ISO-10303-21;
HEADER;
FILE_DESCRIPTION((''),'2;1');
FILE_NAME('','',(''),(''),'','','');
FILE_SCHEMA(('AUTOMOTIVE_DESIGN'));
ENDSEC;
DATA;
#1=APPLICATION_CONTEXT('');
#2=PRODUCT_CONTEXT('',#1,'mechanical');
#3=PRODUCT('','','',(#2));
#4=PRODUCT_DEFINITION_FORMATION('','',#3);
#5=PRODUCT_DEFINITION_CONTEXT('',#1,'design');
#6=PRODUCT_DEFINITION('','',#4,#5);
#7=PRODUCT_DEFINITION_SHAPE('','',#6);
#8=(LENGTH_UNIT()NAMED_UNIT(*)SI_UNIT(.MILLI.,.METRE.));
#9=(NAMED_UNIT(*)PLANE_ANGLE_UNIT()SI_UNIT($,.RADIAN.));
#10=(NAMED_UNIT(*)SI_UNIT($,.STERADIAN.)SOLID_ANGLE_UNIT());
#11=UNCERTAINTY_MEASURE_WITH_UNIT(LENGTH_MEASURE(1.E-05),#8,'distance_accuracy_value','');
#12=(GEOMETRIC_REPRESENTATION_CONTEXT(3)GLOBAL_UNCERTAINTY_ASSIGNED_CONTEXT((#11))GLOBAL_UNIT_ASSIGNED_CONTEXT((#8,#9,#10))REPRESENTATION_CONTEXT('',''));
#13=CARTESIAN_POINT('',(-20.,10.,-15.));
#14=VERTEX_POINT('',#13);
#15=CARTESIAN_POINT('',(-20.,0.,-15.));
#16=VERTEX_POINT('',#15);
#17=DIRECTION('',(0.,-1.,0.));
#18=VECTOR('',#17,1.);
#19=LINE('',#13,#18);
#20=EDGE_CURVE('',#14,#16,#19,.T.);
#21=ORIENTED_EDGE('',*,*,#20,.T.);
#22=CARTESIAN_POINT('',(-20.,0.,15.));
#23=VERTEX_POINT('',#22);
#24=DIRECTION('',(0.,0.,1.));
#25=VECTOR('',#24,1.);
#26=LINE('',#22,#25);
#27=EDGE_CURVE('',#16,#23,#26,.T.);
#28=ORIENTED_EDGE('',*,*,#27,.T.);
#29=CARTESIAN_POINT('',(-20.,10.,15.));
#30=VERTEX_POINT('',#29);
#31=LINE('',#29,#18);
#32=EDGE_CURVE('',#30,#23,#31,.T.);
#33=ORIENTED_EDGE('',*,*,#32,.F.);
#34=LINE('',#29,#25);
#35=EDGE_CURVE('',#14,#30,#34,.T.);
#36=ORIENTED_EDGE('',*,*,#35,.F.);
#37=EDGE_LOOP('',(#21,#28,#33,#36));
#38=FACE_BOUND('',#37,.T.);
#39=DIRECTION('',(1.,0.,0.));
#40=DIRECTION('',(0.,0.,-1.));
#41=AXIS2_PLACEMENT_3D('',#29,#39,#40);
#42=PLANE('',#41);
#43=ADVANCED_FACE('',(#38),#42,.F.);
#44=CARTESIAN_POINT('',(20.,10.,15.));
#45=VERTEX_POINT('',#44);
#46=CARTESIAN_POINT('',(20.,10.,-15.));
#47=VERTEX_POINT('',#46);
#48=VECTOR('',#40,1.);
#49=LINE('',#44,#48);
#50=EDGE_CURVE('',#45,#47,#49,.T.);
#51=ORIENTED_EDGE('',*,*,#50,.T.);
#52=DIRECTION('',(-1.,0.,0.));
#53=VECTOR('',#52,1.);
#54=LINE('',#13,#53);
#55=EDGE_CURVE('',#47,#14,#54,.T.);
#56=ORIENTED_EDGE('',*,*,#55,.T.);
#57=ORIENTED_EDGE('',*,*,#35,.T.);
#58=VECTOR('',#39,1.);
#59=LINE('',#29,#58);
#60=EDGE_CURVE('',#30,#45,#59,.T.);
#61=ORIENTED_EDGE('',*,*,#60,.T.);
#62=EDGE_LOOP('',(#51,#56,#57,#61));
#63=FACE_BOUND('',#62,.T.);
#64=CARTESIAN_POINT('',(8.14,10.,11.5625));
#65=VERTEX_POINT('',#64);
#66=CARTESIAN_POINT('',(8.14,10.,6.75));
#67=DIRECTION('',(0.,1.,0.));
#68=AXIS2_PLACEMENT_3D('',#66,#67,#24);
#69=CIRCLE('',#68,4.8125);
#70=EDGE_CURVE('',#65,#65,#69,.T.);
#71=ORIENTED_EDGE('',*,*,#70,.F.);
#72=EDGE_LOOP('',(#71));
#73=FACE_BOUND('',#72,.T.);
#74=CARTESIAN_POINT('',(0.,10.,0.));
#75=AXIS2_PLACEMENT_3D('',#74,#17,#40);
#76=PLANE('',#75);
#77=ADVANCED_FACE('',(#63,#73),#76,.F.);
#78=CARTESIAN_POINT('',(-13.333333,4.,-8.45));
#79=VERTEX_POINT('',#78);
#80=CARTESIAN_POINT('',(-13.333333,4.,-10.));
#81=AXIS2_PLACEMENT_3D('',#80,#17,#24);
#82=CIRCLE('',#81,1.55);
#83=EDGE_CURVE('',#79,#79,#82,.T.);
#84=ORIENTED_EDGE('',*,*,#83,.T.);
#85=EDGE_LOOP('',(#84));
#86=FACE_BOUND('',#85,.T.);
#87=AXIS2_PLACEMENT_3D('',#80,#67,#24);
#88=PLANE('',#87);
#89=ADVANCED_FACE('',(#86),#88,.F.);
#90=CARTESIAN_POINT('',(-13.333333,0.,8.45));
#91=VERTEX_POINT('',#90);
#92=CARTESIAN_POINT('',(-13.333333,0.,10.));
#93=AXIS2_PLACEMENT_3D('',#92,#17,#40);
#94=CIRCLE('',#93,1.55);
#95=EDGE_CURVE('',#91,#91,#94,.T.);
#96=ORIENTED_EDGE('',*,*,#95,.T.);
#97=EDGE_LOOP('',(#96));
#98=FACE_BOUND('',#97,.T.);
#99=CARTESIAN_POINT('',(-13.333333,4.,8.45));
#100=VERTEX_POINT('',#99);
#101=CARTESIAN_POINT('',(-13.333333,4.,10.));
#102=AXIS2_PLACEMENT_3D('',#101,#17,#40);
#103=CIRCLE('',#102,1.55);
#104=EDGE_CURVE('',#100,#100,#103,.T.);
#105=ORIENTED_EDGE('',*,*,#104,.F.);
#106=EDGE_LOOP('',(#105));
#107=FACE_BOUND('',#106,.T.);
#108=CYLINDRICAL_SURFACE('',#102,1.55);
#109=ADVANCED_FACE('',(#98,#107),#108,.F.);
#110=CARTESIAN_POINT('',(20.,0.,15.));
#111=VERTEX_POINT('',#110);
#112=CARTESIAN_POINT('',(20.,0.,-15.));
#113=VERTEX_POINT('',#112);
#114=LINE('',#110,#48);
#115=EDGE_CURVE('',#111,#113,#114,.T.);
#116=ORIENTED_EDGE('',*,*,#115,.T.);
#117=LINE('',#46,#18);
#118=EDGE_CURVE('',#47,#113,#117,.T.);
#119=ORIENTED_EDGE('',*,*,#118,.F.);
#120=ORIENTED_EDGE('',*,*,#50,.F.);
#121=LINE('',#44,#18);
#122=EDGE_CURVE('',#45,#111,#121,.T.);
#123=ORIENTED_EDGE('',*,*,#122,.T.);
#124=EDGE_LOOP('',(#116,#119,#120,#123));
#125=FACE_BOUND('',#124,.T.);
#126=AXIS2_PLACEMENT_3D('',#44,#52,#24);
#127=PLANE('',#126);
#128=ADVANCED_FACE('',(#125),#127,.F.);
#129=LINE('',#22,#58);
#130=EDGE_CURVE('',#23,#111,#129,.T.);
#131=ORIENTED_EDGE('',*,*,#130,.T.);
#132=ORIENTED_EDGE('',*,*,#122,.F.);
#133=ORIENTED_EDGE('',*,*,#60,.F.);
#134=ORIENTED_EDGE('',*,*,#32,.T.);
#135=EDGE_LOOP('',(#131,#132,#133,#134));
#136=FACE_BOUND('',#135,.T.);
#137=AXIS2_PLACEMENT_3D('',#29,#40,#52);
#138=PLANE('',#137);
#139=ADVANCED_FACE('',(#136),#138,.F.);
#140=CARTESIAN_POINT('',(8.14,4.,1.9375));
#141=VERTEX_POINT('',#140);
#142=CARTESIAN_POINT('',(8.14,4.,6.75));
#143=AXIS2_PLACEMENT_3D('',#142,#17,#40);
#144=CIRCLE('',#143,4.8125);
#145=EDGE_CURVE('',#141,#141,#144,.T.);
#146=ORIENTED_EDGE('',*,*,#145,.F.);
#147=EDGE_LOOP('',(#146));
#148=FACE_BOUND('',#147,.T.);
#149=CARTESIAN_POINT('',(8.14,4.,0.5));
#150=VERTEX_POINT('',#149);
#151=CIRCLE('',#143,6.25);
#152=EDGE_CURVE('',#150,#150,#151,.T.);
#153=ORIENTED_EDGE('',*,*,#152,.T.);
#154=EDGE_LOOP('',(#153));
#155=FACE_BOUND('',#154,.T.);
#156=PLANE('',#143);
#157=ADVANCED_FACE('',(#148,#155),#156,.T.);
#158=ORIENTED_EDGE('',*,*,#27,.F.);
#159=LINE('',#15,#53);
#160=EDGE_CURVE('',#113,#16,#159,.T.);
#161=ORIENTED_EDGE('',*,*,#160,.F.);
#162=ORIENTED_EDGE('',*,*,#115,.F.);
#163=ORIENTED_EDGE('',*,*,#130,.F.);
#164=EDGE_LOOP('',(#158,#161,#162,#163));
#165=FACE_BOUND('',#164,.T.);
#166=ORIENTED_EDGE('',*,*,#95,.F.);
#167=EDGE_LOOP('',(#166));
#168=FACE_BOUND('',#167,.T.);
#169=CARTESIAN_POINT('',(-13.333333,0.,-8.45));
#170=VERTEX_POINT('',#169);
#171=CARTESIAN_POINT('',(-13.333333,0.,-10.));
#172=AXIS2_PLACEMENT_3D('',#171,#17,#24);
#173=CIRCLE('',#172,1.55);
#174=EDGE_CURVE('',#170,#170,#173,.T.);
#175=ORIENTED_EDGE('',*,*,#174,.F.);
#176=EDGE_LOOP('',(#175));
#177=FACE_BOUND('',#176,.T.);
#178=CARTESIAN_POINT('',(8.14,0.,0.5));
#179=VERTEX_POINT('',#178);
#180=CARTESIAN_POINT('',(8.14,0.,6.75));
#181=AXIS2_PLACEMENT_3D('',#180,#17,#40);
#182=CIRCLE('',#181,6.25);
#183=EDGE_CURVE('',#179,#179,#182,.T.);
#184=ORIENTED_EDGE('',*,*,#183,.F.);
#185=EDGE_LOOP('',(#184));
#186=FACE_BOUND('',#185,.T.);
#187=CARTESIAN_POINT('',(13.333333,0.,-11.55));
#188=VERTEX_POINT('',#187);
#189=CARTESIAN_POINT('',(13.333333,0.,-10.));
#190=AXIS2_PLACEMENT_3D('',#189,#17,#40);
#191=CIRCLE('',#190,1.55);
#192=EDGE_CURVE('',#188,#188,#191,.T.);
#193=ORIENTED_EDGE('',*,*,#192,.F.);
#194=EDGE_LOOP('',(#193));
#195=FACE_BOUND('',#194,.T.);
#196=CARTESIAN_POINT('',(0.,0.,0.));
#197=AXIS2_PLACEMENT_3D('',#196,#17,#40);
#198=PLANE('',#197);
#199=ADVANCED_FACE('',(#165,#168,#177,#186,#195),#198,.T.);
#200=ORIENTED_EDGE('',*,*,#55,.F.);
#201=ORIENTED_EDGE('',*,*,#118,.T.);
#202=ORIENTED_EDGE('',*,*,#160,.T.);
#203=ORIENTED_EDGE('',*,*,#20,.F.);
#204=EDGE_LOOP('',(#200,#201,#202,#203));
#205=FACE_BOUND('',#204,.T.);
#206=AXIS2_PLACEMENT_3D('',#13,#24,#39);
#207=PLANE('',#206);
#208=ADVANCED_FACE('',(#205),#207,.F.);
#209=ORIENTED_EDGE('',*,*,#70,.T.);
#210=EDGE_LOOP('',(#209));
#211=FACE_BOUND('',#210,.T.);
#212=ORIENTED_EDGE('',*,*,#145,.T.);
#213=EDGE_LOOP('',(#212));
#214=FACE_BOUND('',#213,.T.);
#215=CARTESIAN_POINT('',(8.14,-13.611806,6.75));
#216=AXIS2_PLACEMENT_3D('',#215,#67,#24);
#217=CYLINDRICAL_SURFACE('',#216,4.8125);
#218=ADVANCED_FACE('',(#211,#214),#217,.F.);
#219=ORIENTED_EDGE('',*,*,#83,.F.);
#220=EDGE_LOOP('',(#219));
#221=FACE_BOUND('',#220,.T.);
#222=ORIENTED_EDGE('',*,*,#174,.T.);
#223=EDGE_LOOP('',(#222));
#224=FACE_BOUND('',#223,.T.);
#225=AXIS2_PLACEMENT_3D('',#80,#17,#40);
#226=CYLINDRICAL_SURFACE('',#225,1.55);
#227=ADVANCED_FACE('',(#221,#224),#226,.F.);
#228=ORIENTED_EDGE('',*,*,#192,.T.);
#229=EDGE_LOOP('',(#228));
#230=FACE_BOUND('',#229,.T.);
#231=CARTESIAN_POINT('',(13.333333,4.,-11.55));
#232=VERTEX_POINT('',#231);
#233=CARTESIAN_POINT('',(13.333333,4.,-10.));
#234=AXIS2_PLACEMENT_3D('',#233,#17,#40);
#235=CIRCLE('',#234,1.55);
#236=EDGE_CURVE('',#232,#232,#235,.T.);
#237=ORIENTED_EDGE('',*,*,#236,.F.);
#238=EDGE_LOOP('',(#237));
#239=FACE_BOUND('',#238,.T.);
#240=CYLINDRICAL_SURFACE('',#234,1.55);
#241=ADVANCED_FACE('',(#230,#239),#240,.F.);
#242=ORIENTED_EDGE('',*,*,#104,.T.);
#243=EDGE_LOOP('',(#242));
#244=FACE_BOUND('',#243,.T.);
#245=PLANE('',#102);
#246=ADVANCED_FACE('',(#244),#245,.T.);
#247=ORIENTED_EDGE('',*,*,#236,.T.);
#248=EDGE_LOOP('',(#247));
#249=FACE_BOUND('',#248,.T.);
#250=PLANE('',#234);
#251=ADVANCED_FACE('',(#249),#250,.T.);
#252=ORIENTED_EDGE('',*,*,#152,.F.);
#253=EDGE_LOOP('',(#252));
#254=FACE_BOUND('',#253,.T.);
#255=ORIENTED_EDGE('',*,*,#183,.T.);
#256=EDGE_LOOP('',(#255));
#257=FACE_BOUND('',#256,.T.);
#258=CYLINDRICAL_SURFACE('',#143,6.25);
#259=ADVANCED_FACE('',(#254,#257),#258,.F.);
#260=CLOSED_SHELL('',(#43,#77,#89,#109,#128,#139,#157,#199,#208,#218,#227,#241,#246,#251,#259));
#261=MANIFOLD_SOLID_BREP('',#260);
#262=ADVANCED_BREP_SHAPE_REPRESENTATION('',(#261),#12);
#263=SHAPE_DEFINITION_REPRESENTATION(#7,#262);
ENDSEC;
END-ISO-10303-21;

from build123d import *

# Parameters (mm, degrees)
SKETCH1_W           = 40
SKETCH1_H           = 30
BOSS_EXTRUDE1_DEPTH = 10
SKETCH2_R           = 1.55
SKETCH2_R_2         = 6.25
CUT_EXTRUDE1_DEPTH  = 4
SKETCH3_R           = 4.8125
CUT_EXTRUDE2_DEPTH  = 10


with BuildPart() as part:
    # Sketch1 → Boss-Extrude1 (new body)
    with BuildSketch(Plane(origin=(0, 0, 0), x_dir=(1, 0, 0), z_dir=(0, 1, 0))):
        Rectangle(SKETCH1_W, SKETCH1_H)
    extrude(amount=BOSS_EXTRUDE1_DEPTH)

    # Sketch2 → Cut-Extrude1 (cut)
    with BuildSketch(Plane(origin=(0, 0, 0), x_dir=(-1, 0, 0), z_dir=(0, -1, 0))):
        with Locations(Location((13.333333333, -10, 0), (0, 0, 90))):
            Circle(SKETCH2_R)
        with Locations(Location((13.333333333, 10, 0), (0, 0, 270))):
            Circle(SKETCH2_R)
        with Locations(Location((-13.333333333, 10, 0), (0, 0, 90))):
            Circle(SKETCH2_R)
        with Locations(Location((-8.14, -6.75, 0), (0, 0, 90))):
            Circle(SKETCH2_R_2)
    extrude(amount=-CUT_EXTRUDE1_DEPTH, mode=Mode.SUBTRACT)

    # Sketch3 → Cut-Extrude2 (cut)
    with BuildSketch(Plane(origin=(0, 10, 0), x_dir=(1, 0, 0), z_dir=(0, 1, 0))):
        with Locations(Location((8.14, -6.75, 0), (0, 0, 270))):
            Circle(SKETCH3_R)
    extrude(amount=-CUT_EXTRUDE2_DEPTH, mode=Mode.SUBTRACT)


solid = part.part
